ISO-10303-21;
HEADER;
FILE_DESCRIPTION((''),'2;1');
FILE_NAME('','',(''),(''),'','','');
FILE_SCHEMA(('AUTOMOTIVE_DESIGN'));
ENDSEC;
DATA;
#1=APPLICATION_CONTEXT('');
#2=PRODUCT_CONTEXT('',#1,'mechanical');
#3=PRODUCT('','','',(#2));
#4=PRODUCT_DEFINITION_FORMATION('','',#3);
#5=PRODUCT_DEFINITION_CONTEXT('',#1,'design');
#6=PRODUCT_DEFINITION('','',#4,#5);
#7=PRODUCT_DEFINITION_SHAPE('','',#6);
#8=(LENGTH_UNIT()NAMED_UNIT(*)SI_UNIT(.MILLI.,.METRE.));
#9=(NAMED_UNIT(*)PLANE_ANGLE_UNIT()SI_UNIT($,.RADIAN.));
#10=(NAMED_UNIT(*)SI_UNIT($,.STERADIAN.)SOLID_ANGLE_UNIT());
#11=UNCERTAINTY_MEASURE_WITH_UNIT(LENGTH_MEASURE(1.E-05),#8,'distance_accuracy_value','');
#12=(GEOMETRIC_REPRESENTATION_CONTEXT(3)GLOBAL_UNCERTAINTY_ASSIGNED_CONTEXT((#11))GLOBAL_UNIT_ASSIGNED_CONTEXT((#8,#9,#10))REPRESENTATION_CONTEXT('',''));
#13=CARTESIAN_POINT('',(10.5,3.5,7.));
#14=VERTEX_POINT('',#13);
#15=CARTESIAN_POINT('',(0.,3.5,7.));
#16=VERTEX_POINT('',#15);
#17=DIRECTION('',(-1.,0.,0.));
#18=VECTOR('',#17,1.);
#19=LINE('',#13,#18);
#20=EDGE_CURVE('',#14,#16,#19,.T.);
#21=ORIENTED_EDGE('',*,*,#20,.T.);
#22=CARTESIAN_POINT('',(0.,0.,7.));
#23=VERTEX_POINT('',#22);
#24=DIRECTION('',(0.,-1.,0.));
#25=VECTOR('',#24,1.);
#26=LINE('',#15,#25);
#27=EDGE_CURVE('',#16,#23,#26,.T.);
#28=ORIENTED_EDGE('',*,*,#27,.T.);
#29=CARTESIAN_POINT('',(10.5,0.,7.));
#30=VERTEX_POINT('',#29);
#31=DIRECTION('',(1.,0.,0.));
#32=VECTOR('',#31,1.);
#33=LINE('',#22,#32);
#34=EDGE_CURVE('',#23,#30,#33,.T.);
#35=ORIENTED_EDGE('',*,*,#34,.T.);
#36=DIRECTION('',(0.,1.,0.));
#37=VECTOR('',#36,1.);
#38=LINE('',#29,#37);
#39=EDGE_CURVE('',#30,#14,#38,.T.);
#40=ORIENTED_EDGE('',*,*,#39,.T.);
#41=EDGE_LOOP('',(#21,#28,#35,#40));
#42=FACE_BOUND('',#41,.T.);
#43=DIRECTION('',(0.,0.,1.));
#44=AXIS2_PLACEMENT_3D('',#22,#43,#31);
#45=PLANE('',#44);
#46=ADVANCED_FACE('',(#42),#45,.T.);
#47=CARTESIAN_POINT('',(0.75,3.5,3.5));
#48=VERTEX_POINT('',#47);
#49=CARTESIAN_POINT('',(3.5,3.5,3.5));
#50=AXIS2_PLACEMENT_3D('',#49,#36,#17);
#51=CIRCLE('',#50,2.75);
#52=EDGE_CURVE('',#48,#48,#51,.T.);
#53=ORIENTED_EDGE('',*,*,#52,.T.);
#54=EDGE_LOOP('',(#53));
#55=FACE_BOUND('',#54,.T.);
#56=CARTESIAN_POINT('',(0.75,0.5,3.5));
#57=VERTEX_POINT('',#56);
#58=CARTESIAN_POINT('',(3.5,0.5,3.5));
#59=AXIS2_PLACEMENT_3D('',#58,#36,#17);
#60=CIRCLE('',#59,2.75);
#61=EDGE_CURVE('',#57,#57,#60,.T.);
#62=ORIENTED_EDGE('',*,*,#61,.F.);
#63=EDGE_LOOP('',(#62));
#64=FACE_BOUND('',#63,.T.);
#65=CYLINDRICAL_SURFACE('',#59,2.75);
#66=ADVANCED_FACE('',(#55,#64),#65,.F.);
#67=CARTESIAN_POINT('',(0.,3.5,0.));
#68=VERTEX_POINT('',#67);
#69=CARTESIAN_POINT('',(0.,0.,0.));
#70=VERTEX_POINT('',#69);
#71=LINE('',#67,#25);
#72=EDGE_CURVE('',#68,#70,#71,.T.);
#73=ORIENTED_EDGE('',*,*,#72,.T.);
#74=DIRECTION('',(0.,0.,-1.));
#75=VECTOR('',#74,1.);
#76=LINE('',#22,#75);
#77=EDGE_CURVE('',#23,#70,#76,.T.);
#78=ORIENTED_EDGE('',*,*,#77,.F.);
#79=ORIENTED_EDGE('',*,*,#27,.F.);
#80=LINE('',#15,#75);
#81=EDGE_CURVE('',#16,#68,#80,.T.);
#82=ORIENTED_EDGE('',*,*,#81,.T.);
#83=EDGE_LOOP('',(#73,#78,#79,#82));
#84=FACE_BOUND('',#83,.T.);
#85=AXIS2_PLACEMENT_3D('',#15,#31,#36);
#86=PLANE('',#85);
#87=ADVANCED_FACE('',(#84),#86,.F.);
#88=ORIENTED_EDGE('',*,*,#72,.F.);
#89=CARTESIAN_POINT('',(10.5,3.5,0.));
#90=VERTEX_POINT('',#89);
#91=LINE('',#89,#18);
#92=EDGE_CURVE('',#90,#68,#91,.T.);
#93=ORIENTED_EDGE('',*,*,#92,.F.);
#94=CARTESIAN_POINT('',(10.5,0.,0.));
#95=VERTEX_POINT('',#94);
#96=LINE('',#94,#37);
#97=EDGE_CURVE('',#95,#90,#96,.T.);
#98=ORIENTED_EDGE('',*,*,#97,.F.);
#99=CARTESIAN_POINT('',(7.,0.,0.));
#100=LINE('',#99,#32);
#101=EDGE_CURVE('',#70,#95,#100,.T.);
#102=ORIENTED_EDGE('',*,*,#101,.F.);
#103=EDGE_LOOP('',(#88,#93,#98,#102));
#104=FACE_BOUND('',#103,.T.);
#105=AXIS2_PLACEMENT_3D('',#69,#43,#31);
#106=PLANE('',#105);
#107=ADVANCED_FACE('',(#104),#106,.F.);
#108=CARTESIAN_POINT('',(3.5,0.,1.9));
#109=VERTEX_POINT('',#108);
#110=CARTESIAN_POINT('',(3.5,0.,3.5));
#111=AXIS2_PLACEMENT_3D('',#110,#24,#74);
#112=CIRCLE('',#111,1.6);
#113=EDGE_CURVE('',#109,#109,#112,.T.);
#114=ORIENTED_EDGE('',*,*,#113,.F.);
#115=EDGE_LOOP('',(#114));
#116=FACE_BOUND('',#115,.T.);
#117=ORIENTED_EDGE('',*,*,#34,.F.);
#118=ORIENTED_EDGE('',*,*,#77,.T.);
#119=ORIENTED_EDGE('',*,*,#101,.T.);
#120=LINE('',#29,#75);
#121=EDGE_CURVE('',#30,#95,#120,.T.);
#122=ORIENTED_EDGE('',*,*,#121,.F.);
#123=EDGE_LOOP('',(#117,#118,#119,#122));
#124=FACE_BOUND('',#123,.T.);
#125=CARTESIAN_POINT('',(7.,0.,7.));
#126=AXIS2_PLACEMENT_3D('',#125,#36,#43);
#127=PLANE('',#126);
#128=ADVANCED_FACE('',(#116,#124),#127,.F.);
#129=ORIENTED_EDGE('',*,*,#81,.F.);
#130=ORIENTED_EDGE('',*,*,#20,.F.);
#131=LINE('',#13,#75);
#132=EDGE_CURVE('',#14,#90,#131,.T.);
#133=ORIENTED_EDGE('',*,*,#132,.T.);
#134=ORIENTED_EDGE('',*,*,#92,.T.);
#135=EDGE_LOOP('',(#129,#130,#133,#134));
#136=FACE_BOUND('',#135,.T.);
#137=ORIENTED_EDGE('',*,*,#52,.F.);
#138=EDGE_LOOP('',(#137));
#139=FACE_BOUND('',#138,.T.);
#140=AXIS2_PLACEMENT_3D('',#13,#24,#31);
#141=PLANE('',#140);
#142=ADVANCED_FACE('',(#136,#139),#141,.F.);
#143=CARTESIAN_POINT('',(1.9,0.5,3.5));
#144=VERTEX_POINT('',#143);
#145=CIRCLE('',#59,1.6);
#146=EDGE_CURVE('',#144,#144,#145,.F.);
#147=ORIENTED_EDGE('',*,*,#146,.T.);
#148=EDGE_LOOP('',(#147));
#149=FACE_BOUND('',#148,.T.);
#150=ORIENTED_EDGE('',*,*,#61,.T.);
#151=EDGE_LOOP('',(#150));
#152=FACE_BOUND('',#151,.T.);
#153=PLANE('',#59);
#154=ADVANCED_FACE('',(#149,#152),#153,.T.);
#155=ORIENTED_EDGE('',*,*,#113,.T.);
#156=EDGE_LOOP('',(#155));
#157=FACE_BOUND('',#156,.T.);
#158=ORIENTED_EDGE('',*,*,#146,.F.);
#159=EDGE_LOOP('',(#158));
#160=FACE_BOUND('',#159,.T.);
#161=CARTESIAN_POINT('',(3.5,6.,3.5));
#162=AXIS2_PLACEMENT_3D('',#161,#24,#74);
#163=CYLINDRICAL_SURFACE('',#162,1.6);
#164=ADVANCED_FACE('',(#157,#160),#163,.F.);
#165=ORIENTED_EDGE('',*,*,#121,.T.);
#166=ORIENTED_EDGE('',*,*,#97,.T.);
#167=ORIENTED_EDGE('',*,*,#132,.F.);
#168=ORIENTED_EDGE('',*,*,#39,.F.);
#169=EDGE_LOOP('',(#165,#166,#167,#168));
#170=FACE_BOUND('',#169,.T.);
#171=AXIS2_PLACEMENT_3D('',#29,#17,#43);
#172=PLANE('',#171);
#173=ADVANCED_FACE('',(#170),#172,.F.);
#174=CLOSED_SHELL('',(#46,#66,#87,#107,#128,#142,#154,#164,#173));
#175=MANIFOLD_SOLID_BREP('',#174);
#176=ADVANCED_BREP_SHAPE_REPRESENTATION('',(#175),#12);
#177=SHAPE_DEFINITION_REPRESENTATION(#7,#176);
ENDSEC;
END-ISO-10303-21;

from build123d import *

# Parameters (mm, degrees)
SALIENTE_EXTRUIR1_DEPTH = 7
CROQUIS2_R              = 1.6
CORTAR_EXTRUIR1_DEPTH   = 6
CROQUIS3_R              = 2.75
CORTAR_EXTRUIR2_DEPTH   = 3


with BuildPart() as part:
    # Croquis1 → Saliente-Extruir1 (new body)
    with BuildSketch(Plane.XY):
        Polygon((0, 0), (7, 0), (10.5, 0), (10.5, 3.5), (0, 3.5), align=None)
    extrude(amount=SALIENTE_EXTRUIR1_DEPTH)

    # Croquis2 → Cortar-Extruir1 (cut)
    with BuildSketch(Plane.XZ):
        with Locations(Location((3.5, 3.5, 0), (0, 0, 270))):
            Circle(CROQUIS2_R)
    extrude(amount=-CORTAR_EXTRUIR1_DEPTH, mode=Mode.SUBTRACT)

    # Croquis3 → Cortar-Extruir2 (cut)
    with BuildSketch(Plane(origin=(0, 3.5, 0), x_dir=(1, 0, 0), z_dir=(0, 1, 0))):
        with Locations(Location((3.5, -3.5, 0), (0, 0, 180))):
            Circle(CROQUIS3_R)
    extrude(amount=-CORTAR_EXTRUIR2_DEPTH, mode=Mode.SUBTRACT)


solid = part.part
